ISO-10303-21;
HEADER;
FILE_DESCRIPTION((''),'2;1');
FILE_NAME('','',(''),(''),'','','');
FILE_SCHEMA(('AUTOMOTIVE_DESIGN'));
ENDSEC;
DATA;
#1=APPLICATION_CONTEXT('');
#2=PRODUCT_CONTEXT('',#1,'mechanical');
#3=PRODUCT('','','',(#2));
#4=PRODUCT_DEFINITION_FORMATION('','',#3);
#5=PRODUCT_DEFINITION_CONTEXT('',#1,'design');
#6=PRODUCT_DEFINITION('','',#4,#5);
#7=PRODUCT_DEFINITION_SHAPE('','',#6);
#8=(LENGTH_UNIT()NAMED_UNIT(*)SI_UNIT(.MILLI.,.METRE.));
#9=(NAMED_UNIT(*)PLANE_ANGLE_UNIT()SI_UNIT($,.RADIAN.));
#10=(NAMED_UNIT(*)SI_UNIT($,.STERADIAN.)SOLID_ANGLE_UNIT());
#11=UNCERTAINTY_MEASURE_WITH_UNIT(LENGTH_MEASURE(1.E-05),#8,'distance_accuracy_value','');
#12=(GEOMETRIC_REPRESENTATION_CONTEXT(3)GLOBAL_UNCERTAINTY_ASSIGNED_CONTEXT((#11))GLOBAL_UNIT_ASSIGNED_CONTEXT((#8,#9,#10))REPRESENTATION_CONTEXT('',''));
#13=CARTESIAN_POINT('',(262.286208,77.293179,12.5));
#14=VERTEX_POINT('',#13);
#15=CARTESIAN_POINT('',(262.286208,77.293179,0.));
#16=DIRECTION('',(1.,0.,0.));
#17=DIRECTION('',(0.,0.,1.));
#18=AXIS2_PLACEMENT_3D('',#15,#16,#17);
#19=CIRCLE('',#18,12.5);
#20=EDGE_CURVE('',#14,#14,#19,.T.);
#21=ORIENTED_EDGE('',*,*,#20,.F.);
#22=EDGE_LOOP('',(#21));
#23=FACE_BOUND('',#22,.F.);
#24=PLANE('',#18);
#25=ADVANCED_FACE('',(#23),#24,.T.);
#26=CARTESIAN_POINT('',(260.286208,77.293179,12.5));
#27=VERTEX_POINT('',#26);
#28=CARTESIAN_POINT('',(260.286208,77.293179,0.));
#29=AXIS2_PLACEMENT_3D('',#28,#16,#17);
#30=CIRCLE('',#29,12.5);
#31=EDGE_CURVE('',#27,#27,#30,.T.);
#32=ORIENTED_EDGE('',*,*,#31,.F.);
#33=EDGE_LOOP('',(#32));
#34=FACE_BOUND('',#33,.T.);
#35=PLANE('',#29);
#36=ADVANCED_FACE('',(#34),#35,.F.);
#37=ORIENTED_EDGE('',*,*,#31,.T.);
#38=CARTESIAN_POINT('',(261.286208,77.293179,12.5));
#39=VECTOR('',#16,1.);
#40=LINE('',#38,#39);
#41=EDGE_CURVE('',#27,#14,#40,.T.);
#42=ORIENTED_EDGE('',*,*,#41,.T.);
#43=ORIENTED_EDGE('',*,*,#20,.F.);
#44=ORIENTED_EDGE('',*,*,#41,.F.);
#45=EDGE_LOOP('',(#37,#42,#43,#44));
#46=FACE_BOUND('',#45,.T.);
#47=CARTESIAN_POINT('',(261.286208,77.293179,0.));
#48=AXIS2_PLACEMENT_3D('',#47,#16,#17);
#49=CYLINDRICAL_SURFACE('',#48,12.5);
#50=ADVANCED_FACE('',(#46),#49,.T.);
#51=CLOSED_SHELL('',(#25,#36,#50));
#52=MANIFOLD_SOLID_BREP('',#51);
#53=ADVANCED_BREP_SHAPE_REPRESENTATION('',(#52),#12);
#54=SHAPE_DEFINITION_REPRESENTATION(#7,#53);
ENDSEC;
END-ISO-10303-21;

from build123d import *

# Parameters (mm, degrees)
SKETCH_1_W = 2
SKETCH_1_H = 12.5


with BuildPart() as part:
    # 草图1 → 旋转1 (revolve)
    with BuildSketch(Plane.XY, mode=Mode.PRIVATE) as revolve_1_sk:
        with Locations((261.286208168, 83.543179349)):
            Rectangle(SKETCH_1_W, SKETCH_1_H)
    revolve(revolve_1_sk.sketch.rotate(Axis((254.000801993, 77.293179349, 0), (1, 0, 0)), 90), axis=Axis((254.000801993, 77.293179349, 0), (1, 0, 0)))  # turned: the seam where the file's is


solid = part.part
